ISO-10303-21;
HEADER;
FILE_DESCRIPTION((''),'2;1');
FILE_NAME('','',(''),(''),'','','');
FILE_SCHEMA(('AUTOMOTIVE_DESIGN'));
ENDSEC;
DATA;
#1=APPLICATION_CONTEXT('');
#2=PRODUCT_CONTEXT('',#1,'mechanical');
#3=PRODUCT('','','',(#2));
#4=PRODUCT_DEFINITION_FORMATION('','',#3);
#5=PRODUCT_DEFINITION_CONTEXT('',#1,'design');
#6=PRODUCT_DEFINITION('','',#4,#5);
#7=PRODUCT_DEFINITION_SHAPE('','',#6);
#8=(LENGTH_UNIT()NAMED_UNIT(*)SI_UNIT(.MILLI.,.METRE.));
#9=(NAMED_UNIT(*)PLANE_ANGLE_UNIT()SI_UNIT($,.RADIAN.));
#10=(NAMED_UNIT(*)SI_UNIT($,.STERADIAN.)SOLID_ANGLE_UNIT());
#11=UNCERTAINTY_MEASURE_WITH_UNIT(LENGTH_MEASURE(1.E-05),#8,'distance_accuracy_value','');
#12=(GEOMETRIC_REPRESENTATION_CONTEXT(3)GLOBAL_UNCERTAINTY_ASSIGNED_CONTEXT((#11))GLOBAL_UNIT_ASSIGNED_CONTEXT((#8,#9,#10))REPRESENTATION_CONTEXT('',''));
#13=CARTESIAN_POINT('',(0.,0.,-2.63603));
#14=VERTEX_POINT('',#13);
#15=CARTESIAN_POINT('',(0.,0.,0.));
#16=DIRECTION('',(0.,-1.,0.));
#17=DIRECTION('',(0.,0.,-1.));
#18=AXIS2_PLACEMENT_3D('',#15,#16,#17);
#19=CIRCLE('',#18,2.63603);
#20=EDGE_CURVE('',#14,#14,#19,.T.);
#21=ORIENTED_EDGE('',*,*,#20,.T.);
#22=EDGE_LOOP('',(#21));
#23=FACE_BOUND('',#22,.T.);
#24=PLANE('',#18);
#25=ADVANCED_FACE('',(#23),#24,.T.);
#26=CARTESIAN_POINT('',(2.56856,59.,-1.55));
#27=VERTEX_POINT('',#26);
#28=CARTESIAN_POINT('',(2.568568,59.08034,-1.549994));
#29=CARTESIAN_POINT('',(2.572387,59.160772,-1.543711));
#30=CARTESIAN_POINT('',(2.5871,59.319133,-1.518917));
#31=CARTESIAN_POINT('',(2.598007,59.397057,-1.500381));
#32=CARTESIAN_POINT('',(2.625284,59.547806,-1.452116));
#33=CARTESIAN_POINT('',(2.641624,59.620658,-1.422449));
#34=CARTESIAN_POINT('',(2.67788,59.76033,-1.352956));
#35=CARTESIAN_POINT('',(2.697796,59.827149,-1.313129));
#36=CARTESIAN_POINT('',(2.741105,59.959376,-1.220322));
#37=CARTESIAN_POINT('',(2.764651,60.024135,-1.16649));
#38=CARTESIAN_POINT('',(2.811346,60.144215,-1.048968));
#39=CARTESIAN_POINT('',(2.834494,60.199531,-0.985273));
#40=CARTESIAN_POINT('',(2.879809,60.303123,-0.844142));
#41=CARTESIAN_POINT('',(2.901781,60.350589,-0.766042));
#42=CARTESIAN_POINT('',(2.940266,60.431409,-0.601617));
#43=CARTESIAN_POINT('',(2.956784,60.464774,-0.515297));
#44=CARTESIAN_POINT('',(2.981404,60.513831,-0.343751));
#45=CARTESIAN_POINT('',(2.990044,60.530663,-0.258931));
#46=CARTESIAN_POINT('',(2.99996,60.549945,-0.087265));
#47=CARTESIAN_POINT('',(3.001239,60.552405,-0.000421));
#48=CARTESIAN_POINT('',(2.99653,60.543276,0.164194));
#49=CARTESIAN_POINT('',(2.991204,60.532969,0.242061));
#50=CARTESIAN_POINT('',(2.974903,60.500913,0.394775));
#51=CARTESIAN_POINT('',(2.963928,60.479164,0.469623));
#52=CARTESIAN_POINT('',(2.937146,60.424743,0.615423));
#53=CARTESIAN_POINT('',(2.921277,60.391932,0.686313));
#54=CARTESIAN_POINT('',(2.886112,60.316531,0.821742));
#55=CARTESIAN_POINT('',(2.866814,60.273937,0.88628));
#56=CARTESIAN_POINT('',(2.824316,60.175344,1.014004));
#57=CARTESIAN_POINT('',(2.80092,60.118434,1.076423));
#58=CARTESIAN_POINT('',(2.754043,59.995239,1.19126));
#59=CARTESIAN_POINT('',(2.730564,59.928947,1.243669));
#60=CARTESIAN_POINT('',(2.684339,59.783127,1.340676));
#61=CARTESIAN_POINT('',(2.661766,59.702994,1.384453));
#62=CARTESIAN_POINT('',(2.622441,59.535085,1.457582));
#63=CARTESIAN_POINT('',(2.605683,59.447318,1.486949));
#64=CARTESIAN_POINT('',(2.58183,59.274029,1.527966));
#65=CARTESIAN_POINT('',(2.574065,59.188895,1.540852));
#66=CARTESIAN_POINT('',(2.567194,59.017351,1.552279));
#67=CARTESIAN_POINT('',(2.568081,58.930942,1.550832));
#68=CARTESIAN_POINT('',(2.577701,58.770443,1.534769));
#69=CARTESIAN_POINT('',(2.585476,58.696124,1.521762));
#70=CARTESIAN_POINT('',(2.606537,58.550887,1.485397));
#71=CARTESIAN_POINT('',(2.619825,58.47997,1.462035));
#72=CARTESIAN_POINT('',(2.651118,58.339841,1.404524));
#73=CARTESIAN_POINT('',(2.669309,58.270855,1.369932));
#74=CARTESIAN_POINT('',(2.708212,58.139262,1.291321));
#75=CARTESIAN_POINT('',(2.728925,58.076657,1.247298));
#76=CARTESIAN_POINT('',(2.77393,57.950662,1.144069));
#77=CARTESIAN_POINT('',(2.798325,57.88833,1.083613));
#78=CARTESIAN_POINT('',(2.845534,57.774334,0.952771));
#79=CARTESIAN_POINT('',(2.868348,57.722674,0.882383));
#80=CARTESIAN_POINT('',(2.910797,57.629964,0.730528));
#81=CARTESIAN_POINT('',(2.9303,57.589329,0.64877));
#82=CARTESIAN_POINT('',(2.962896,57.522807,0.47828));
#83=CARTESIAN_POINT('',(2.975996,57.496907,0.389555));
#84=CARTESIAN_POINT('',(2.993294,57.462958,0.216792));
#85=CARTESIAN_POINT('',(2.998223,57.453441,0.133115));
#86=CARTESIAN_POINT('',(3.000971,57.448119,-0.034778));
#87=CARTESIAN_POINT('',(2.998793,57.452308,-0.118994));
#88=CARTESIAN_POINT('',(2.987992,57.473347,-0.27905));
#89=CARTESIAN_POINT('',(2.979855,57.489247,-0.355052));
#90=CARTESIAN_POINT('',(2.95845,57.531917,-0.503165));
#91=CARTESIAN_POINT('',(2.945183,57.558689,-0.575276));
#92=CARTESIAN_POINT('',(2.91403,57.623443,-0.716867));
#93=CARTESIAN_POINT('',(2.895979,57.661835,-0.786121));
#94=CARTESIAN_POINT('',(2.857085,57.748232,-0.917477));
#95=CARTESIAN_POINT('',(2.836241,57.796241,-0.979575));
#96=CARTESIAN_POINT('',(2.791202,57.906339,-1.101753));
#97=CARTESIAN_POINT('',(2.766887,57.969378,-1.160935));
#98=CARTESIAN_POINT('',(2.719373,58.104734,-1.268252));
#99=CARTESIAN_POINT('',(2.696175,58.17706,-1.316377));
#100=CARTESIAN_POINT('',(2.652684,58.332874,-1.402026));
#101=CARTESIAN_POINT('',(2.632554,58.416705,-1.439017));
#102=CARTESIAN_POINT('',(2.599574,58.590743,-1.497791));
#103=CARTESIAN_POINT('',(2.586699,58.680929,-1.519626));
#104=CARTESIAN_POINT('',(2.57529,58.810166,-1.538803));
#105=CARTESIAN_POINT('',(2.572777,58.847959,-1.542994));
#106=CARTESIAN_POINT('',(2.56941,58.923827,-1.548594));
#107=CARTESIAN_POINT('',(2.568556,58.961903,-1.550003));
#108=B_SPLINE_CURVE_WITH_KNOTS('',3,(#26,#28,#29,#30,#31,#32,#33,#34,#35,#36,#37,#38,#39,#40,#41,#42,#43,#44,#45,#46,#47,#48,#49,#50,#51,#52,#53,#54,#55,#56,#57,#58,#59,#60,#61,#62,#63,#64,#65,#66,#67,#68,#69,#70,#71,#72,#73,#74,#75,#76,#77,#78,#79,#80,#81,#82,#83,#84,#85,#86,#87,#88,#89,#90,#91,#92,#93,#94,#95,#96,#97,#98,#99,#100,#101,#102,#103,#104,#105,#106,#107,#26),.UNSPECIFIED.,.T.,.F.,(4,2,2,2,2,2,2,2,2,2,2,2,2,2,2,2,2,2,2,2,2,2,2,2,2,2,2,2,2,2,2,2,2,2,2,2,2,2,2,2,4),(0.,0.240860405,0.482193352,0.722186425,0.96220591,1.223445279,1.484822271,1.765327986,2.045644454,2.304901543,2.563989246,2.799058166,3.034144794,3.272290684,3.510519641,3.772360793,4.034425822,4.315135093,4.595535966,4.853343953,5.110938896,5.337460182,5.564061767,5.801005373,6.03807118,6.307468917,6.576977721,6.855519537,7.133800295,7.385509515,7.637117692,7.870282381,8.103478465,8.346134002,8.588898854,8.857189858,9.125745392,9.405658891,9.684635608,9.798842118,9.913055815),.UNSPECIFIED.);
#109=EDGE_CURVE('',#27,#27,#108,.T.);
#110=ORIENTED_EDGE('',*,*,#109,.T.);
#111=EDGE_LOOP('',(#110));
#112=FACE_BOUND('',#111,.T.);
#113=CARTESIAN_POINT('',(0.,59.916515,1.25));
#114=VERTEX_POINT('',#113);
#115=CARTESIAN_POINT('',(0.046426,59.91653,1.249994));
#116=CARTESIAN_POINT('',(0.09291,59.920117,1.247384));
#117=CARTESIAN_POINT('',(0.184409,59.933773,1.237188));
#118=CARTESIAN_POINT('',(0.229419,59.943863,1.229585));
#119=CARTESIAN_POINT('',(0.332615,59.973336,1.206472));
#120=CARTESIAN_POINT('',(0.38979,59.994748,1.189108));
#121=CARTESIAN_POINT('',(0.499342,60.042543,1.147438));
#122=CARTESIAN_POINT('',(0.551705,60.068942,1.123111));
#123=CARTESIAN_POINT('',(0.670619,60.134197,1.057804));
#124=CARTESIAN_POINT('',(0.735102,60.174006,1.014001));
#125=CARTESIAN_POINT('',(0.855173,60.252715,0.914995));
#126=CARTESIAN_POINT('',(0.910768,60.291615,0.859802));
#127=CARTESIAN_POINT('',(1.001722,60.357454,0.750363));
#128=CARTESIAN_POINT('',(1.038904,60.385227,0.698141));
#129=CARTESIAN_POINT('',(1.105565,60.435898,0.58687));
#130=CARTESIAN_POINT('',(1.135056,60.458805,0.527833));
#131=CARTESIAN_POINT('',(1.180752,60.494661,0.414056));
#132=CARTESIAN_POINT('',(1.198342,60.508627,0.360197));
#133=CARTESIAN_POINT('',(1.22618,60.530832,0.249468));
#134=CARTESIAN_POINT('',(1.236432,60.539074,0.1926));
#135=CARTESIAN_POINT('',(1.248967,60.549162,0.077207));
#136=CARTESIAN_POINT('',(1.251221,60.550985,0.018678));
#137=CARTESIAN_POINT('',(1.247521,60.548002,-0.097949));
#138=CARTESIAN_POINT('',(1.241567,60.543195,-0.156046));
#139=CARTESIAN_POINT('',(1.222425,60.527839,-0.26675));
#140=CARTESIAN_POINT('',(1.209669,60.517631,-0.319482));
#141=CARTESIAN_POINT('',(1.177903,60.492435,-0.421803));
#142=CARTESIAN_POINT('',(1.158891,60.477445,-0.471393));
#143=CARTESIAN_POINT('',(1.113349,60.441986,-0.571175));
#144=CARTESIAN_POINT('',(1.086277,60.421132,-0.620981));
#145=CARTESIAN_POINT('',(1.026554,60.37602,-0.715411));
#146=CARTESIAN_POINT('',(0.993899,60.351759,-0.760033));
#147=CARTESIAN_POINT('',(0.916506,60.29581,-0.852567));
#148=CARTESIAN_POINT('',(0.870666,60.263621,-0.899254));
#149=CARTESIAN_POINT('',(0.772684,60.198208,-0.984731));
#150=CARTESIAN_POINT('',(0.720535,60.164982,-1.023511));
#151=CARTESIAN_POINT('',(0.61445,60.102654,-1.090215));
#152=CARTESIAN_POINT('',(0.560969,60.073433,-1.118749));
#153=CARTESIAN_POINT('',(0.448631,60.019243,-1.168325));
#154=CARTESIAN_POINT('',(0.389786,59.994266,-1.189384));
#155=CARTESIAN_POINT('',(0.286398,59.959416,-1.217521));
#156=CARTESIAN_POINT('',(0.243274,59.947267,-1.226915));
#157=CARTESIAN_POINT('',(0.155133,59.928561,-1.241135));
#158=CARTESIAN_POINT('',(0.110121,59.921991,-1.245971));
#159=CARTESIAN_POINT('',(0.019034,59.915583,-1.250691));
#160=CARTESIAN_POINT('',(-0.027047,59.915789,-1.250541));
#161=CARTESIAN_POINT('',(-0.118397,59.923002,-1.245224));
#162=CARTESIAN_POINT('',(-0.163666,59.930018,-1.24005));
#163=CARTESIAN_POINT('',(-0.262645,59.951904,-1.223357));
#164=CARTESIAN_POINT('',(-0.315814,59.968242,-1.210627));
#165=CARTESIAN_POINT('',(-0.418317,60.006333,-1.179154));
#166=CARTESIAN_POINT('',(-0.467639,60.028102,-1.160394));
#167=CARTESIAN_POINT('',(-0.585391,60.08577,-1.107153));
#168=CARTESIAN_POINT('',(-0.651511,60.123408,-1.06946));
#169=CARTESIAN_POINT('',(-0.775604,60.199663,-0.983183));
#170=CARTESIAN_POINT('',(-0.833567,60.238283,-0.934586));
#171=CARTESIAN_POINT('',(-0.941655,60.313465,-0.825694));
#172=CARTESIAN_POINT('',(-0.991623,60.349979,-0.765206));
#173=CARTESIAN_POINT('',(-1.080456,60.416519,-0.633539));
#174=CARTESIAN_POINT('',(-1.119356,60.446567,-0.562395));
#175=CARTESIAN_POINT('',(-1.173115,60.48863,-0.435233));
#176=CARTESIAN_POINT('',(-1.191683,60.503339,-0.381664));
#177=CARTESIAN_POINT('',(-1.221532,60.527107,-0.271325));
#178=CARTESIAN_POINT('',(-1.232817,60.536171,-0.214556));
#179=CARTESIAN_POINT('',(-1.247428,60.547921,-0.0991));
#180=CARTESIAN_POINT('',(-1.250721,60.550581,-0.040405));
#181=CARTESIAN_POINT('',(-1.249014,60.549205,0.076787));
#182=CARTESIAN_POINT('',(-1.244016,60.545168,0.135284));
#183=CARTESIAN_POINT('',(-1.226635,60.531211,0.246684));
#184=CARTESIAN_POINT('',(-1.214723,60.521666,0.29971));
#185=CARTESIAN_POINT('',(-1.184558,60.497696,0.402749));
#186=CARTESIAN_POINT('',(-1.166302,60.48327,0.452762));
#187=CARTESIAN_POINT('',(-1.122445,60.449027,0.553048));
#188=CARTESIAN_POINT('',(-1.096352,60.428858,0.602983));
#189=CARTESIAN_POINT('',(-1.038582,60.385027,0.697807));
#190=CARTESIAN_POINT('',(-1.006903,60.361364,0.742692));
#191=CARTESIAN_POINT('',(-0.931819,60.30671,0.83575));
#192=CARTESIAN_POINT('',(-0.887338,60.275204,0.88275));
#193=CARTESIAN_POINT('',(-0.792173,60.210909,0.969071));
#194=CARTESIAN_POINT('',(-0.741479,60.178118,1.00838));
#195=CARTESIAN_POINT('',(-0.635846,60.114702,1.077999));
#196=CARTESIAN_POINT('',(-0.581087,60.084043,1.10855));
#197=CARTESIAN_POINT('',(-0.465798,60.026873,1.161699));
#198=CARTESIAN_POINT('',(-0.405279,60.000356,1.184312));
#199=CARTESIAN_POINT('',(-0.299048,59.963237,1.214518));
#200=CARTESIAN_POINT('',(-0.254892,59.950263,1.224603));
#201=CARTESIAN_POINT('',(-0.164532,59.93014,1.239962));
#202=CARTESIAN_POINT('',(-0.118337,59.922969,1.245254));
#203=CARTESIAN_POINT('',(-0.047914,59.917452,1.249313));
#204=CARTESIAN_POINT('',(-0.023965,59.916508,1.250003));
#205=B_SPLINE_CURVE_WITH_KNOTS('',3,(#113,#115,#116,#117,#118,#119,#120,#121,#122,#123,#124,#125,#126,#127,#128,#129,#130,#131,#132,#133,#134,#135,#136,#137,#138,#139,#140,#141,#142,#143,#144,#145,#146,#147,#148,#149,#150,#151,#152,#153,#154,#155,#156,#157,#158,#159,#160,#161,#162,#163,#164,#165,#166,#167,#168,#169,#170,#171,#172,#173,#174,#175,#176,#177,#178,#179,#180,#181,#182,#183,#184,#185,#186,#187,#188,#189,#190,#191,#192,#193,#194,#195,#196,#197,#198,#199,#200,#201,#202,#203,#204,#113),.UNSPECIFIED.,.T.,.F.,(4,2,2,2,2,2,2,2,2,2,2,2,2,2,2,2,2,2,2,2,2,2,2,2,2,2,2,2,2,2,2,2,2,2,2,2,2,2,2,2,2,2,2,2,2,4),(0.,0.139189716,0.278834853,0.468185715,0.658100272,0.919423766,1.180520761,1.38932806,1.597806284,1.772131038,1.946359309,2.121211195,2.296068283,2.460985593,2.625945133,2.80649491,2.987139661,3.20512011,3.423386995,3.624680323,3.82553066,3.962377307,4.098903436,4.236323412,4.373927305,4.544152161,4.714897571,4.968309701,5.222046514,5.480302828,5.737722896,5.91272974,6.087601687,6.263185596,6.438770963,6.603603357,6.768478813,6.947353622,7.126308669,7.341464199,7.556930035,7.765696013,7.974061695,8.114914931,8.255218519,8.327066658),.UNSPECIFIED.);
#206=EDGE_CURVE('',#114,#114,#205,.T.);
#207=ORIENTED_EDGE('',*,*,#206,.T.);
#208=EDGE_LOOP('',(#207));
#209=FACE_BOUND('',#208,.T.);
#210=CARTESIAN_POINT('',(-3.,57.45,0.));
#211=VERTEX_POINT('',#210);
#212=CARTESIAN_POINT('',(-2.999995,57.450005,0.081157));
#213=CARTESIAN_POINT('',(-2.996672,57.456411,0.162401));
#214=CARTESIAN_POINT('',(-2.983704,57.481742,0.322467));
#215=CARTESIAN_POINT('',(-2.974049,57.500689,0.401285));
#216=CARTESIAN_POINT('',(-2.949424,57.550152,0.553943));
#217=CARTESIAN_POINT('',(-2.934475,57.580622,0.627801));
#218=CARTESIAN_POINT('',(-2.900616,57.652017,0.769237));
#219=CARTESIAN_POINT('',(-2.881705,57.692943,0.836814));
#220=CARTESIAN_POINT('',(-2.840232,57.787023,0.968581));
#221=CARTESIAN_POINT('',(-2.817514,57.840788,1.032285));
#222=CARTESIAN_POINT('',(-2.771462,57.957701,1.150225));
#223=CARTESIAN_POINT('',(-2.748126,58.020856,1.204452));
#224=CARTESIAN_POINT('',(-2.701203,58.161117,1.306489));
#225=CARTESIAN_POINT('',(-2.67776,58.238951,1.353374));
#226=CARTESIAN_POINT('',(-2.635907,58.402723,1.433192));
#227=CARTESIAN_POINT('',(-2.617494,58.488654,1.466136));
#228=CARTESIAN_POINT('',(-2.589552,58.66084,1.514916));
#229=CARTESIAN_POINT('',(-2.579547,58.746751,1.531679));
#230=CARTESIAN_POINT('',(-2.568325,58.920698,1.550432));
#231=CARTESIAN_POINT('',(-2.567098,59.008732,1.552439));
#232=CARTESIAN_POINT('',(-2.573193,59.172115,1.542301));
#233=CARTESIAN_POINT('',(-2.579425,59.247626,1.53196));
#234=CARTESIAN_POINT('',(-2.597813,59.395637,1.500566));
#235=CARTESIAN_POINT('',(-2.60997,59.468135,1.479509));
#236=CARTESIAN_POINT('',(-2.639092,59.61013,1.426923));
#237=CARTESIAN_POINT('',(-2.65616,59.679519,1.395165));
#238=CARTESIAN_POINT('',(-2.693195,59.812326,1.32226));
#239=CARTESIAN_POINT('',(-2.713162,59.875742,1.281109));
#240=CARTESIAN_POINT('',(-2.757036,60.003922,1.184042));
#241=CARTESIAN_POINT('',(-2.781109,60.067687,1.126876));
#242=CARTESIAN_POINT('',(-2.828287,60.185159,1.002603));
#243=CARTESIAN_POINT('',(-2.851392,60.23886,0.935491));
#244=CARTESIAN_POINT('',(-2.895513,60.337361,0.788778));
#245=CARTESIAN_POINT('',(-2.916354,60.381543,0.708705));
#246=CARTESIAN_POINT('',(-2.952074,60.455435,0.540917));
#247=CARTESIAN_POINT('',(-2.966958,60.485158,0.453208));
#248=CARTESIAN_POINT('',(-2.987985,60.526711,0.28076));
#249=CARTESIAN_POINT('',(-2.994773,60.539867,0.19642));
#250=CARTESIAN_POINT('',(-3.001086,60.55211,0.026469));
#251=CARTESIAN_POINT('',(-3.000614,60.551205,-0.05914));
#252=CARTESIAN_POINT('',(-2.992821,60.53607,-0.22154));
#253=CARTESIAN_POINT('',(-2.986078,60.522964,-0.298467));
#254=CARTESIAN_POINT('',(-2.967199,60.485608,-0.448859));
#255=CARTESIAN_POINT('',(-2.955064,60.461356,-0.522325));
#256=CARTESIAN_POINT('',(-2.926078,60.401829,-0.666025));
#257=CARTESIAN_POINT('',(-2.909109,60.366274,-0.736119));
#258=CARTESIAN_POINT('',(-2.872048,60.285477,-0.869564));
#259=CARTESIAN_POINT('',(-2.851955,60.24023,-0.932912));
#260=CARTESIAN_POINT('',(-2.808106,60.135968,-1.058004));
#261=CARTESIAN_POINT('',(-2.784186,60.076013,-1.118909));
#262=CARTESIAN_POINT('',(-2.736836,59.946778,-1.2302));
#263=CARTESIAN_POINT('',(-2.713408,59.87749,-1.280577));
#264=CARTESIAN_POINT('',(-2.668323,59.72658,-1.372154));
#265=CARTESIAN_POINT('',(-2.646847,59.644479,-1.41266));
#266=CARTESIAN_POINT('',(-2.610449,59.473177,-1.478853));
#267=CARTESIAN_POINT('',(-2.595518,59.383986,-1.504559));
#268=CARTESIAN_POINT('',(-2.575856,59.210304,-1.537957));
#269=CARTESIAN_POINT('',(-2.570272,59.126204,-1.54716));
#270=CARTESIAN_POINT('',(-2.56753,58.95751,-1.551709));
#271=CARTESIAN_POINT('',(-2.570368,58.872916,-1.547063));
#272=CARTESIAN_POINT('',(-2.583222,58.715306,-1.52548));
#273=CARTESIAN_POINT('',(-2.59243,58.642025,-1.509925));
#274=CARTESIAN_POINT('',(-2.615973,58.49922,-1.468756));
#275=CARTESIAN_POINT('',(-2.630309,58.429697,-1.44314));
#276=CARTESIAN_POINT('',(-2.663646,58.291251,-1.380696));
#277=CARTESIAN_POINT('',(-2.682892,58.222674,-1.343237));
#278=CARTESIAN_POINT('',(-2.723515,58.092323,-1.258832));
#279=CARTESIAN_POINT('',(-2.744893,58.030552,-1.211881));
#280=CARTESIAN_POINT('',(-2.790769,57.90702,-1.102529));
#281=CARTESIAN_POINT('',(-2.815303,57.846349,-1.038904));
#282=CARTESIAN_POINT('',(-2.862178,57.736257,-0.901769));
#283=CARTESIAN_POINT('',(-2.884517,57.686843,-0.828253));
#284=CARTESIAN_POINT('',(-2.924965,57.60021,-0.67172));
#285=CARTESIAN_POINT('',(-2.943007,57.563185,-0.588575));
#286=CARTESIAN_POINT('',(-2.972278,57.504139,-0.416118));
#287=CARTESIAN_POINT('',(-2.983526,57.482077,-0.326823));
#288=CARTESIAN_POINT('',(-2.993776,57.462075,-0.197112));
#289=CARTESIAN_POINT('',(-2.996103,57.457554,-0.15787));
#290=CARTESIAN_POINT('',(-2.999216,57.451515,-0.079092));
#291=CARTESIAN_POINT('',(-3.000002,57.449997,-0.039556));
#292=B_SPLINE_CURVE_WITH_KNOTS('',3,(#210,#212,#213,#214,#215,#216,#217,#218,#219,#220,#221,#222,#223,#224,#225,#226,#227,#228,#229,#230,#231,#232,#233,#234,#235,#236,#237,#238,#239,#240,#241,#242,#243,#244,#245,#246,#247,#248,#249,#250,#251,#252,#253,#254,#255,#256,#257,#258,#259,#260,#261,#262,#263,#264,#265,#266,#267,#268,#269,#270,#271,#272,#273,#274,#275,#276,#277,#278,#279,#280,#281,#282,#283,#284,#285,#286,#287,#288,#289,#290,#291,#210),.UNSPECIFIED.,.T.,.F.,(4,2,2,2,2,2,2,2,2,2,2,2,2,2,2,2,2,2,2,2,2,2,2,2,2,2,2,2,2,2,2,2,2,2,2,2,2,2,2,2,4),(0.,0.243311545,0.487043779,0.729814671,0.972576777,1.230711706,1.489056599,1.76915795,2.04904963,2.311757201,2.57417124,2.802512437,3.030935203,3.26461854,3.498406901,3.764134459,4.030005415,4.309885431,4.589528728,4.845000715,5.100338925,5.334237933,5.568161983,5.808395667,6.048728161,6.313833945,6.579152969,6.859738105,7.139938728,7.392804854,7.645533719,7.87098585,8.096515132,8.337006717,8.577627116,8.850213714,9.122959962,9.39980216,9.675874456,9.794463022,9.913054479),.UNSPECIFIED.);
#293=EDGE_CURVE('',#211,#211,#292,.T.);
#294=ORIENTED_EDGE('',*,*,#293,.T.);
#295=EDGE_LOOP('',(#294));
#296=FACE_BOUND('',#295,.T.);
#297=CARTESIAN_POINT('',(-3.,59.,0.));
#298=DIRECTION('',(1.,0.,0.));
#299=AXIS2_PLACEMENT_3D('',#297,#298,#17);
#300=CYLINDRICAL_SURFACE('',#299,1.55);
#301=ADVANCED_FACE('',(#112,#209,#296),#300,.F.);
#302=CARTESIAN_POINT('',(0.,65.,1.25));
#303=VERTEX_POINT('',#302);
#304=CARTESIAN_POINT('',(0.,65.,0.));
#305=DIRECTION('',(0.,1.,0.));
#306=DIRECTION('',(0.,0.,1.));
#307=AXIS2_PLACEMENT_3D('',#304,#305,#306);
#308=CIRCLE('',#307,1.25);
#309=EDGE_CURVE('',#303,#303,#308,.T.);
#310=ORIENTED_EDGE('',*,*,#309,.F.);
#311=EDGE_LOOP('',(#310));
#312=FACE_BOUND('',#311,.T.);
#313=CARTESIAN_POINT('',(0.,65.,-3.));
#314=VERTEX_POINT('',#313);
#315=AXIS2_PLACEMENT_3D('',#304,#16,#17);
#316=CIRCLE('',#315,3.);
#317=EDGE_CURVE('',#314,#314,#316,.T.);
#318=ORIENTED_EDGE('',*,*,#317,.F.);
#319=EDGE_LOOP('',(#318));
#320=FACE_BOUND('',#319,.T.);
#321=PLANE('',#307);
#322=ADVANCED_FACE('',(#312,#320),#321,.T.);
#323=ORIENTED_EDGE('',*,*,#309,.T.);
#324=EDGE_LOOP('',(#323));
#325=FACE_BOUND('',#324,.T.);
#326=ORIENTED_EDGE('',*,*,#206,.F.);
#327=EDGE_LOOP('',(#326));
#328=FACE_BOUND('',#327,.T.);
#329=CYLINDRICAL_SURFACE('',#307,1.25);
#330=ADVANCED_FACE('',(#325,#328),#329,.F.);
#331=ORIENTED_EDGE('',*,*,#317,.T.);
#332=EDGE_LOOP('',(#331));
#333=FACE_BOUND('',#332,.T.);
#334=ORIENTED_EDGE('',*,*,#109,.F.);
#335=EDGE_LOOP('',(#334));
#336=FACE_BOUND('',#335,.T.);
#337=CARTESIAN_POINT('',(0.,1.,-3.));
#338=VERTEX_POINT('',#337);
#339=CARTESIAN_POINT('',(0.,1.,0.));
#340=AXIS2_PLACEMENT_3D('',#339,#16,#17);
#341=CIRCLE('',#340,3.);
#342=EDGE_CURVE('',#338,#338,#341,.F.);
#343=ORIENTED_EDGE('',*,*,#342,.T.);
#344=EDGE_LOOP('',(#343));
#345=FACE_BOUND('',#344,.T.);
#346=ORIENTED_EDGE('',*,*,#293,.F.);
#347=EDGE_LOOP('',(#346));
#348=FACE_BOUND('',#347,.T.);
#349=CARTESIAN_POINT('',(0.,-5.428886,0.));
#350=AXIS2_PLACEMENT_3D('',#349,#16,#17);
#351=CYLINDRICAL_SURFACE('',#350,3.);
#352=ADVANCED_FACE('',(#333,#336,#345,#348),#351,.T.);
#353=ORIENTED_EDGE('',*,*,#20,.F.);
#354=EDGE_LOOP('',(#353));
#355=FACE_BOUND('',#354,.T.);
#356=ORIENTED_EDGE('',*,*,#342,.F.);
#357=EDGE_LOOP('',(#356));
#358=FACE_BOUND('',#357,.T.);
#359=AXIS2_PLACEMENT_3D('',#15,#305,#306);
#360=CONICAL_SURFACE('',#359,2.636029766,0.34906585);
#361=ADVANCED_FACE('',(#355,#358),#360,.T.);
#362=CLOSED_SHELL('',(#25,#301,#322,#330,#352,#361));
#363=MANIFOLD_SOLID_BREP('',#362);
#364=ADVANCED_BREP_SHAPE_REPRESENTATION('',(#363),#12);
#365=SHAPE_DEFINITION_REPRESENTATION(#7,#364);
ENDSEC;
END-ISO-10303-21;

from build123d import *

# Parameters (mm, degrees)
SKETCH1_W                  = 3
SKETCH1_H                  = 65
CUT_EXTRUDE1_DEPTH         = 66.138314378
CUT_EXTRUDE1_DEPTH_BACK    = 66.138314378
SKETCH2_R                  = 1.55
M3X0_5_TAPPED_HOLE1_REACH  = 67.138
M3X0_5_TAPPED_HOLE1_BORE_R = 1.25
CHAMFER1_SIZE              = 1
CHAMFER1_SIZE2             = 0.363970234


with BuildPart() as part:
    # Sketch1 → Revolve1 (revolve)
    with BuildSketch(Plane.XY, mode=Mode.PRIVATE) as revolve1_sk:
        with Locations((1.5, 32.5)):
            Rectangle(SKETCH1_W, SKETCH1_H)
    revolve(revolve1_sk.sketch.rotate(Axis((0, -5.428885746, 0), (0, 1, 0)), 90), axis=Axis((0, -5.428885746, 0), (0, 1, 0)))

    # Sketch2 → Cut-Extrude1 (cut, two sides: drawn at the far end of the back side and taken through both)
    with BuildSketch(Plane(origin=(0, 0, 0), x_dir=(0, 0, -1), z_dir=(1, 0, 0)).offset(-CUT_EXTRUDE1_DEPTH_BACK)):
        with Locations((0, 59)):
            Circle(SKETCH2_R)
    extrude(amount=CUT_EXTRUDE1_DEPTH + CUT_EXTRUDE1_DEPTH_BACK, mode=Mode.SUBTRACT)

    # M3x0.5 Tapped Hole1 bore → M3x0.5 Tapped Hole1 (cut, up to next)
    with BuildSketch(Plane(origin=(0, 65, 0), x_dir=(-1, 0, 0), z_dir=(0, 1, 0)), mode=Mode.PRIVATE) as m3x0_5_tapped_hole1_sk1:
        Circle(M3X0_5_TAPPED_HOLE1_BORE_R)
    m3x0_5_tapped_hole1_tool1 = extrude(m3x0_5_tapped_hole1_sk1.sketch, amount=-M3X0_5_TAPPED_HOLE1_REACH, mode=Mode.PRIVATE) & part.part
    add(m3x0_5_tapped_hole1_tool1.solids().sort_by_distance((0, 65, 0))[0], mode=Mode.SUBTRACT)

    # Chamfer1
    chamfer1_edges = [part.edges().sort_by_distance(p)[0] for p in [
        (0, 0, 3),
    ]]
    chamfer1_side = [part.faces().sort_by_distance(p)[0] for p in [
        (0, 32.5, 3),
    ]]
    chamfer(chamfer1_edges, length=CHAMFER1_SIZE, length2=CHAMFER1_SIZE2, reference=chamfer1_side[0])


solid = part.part
